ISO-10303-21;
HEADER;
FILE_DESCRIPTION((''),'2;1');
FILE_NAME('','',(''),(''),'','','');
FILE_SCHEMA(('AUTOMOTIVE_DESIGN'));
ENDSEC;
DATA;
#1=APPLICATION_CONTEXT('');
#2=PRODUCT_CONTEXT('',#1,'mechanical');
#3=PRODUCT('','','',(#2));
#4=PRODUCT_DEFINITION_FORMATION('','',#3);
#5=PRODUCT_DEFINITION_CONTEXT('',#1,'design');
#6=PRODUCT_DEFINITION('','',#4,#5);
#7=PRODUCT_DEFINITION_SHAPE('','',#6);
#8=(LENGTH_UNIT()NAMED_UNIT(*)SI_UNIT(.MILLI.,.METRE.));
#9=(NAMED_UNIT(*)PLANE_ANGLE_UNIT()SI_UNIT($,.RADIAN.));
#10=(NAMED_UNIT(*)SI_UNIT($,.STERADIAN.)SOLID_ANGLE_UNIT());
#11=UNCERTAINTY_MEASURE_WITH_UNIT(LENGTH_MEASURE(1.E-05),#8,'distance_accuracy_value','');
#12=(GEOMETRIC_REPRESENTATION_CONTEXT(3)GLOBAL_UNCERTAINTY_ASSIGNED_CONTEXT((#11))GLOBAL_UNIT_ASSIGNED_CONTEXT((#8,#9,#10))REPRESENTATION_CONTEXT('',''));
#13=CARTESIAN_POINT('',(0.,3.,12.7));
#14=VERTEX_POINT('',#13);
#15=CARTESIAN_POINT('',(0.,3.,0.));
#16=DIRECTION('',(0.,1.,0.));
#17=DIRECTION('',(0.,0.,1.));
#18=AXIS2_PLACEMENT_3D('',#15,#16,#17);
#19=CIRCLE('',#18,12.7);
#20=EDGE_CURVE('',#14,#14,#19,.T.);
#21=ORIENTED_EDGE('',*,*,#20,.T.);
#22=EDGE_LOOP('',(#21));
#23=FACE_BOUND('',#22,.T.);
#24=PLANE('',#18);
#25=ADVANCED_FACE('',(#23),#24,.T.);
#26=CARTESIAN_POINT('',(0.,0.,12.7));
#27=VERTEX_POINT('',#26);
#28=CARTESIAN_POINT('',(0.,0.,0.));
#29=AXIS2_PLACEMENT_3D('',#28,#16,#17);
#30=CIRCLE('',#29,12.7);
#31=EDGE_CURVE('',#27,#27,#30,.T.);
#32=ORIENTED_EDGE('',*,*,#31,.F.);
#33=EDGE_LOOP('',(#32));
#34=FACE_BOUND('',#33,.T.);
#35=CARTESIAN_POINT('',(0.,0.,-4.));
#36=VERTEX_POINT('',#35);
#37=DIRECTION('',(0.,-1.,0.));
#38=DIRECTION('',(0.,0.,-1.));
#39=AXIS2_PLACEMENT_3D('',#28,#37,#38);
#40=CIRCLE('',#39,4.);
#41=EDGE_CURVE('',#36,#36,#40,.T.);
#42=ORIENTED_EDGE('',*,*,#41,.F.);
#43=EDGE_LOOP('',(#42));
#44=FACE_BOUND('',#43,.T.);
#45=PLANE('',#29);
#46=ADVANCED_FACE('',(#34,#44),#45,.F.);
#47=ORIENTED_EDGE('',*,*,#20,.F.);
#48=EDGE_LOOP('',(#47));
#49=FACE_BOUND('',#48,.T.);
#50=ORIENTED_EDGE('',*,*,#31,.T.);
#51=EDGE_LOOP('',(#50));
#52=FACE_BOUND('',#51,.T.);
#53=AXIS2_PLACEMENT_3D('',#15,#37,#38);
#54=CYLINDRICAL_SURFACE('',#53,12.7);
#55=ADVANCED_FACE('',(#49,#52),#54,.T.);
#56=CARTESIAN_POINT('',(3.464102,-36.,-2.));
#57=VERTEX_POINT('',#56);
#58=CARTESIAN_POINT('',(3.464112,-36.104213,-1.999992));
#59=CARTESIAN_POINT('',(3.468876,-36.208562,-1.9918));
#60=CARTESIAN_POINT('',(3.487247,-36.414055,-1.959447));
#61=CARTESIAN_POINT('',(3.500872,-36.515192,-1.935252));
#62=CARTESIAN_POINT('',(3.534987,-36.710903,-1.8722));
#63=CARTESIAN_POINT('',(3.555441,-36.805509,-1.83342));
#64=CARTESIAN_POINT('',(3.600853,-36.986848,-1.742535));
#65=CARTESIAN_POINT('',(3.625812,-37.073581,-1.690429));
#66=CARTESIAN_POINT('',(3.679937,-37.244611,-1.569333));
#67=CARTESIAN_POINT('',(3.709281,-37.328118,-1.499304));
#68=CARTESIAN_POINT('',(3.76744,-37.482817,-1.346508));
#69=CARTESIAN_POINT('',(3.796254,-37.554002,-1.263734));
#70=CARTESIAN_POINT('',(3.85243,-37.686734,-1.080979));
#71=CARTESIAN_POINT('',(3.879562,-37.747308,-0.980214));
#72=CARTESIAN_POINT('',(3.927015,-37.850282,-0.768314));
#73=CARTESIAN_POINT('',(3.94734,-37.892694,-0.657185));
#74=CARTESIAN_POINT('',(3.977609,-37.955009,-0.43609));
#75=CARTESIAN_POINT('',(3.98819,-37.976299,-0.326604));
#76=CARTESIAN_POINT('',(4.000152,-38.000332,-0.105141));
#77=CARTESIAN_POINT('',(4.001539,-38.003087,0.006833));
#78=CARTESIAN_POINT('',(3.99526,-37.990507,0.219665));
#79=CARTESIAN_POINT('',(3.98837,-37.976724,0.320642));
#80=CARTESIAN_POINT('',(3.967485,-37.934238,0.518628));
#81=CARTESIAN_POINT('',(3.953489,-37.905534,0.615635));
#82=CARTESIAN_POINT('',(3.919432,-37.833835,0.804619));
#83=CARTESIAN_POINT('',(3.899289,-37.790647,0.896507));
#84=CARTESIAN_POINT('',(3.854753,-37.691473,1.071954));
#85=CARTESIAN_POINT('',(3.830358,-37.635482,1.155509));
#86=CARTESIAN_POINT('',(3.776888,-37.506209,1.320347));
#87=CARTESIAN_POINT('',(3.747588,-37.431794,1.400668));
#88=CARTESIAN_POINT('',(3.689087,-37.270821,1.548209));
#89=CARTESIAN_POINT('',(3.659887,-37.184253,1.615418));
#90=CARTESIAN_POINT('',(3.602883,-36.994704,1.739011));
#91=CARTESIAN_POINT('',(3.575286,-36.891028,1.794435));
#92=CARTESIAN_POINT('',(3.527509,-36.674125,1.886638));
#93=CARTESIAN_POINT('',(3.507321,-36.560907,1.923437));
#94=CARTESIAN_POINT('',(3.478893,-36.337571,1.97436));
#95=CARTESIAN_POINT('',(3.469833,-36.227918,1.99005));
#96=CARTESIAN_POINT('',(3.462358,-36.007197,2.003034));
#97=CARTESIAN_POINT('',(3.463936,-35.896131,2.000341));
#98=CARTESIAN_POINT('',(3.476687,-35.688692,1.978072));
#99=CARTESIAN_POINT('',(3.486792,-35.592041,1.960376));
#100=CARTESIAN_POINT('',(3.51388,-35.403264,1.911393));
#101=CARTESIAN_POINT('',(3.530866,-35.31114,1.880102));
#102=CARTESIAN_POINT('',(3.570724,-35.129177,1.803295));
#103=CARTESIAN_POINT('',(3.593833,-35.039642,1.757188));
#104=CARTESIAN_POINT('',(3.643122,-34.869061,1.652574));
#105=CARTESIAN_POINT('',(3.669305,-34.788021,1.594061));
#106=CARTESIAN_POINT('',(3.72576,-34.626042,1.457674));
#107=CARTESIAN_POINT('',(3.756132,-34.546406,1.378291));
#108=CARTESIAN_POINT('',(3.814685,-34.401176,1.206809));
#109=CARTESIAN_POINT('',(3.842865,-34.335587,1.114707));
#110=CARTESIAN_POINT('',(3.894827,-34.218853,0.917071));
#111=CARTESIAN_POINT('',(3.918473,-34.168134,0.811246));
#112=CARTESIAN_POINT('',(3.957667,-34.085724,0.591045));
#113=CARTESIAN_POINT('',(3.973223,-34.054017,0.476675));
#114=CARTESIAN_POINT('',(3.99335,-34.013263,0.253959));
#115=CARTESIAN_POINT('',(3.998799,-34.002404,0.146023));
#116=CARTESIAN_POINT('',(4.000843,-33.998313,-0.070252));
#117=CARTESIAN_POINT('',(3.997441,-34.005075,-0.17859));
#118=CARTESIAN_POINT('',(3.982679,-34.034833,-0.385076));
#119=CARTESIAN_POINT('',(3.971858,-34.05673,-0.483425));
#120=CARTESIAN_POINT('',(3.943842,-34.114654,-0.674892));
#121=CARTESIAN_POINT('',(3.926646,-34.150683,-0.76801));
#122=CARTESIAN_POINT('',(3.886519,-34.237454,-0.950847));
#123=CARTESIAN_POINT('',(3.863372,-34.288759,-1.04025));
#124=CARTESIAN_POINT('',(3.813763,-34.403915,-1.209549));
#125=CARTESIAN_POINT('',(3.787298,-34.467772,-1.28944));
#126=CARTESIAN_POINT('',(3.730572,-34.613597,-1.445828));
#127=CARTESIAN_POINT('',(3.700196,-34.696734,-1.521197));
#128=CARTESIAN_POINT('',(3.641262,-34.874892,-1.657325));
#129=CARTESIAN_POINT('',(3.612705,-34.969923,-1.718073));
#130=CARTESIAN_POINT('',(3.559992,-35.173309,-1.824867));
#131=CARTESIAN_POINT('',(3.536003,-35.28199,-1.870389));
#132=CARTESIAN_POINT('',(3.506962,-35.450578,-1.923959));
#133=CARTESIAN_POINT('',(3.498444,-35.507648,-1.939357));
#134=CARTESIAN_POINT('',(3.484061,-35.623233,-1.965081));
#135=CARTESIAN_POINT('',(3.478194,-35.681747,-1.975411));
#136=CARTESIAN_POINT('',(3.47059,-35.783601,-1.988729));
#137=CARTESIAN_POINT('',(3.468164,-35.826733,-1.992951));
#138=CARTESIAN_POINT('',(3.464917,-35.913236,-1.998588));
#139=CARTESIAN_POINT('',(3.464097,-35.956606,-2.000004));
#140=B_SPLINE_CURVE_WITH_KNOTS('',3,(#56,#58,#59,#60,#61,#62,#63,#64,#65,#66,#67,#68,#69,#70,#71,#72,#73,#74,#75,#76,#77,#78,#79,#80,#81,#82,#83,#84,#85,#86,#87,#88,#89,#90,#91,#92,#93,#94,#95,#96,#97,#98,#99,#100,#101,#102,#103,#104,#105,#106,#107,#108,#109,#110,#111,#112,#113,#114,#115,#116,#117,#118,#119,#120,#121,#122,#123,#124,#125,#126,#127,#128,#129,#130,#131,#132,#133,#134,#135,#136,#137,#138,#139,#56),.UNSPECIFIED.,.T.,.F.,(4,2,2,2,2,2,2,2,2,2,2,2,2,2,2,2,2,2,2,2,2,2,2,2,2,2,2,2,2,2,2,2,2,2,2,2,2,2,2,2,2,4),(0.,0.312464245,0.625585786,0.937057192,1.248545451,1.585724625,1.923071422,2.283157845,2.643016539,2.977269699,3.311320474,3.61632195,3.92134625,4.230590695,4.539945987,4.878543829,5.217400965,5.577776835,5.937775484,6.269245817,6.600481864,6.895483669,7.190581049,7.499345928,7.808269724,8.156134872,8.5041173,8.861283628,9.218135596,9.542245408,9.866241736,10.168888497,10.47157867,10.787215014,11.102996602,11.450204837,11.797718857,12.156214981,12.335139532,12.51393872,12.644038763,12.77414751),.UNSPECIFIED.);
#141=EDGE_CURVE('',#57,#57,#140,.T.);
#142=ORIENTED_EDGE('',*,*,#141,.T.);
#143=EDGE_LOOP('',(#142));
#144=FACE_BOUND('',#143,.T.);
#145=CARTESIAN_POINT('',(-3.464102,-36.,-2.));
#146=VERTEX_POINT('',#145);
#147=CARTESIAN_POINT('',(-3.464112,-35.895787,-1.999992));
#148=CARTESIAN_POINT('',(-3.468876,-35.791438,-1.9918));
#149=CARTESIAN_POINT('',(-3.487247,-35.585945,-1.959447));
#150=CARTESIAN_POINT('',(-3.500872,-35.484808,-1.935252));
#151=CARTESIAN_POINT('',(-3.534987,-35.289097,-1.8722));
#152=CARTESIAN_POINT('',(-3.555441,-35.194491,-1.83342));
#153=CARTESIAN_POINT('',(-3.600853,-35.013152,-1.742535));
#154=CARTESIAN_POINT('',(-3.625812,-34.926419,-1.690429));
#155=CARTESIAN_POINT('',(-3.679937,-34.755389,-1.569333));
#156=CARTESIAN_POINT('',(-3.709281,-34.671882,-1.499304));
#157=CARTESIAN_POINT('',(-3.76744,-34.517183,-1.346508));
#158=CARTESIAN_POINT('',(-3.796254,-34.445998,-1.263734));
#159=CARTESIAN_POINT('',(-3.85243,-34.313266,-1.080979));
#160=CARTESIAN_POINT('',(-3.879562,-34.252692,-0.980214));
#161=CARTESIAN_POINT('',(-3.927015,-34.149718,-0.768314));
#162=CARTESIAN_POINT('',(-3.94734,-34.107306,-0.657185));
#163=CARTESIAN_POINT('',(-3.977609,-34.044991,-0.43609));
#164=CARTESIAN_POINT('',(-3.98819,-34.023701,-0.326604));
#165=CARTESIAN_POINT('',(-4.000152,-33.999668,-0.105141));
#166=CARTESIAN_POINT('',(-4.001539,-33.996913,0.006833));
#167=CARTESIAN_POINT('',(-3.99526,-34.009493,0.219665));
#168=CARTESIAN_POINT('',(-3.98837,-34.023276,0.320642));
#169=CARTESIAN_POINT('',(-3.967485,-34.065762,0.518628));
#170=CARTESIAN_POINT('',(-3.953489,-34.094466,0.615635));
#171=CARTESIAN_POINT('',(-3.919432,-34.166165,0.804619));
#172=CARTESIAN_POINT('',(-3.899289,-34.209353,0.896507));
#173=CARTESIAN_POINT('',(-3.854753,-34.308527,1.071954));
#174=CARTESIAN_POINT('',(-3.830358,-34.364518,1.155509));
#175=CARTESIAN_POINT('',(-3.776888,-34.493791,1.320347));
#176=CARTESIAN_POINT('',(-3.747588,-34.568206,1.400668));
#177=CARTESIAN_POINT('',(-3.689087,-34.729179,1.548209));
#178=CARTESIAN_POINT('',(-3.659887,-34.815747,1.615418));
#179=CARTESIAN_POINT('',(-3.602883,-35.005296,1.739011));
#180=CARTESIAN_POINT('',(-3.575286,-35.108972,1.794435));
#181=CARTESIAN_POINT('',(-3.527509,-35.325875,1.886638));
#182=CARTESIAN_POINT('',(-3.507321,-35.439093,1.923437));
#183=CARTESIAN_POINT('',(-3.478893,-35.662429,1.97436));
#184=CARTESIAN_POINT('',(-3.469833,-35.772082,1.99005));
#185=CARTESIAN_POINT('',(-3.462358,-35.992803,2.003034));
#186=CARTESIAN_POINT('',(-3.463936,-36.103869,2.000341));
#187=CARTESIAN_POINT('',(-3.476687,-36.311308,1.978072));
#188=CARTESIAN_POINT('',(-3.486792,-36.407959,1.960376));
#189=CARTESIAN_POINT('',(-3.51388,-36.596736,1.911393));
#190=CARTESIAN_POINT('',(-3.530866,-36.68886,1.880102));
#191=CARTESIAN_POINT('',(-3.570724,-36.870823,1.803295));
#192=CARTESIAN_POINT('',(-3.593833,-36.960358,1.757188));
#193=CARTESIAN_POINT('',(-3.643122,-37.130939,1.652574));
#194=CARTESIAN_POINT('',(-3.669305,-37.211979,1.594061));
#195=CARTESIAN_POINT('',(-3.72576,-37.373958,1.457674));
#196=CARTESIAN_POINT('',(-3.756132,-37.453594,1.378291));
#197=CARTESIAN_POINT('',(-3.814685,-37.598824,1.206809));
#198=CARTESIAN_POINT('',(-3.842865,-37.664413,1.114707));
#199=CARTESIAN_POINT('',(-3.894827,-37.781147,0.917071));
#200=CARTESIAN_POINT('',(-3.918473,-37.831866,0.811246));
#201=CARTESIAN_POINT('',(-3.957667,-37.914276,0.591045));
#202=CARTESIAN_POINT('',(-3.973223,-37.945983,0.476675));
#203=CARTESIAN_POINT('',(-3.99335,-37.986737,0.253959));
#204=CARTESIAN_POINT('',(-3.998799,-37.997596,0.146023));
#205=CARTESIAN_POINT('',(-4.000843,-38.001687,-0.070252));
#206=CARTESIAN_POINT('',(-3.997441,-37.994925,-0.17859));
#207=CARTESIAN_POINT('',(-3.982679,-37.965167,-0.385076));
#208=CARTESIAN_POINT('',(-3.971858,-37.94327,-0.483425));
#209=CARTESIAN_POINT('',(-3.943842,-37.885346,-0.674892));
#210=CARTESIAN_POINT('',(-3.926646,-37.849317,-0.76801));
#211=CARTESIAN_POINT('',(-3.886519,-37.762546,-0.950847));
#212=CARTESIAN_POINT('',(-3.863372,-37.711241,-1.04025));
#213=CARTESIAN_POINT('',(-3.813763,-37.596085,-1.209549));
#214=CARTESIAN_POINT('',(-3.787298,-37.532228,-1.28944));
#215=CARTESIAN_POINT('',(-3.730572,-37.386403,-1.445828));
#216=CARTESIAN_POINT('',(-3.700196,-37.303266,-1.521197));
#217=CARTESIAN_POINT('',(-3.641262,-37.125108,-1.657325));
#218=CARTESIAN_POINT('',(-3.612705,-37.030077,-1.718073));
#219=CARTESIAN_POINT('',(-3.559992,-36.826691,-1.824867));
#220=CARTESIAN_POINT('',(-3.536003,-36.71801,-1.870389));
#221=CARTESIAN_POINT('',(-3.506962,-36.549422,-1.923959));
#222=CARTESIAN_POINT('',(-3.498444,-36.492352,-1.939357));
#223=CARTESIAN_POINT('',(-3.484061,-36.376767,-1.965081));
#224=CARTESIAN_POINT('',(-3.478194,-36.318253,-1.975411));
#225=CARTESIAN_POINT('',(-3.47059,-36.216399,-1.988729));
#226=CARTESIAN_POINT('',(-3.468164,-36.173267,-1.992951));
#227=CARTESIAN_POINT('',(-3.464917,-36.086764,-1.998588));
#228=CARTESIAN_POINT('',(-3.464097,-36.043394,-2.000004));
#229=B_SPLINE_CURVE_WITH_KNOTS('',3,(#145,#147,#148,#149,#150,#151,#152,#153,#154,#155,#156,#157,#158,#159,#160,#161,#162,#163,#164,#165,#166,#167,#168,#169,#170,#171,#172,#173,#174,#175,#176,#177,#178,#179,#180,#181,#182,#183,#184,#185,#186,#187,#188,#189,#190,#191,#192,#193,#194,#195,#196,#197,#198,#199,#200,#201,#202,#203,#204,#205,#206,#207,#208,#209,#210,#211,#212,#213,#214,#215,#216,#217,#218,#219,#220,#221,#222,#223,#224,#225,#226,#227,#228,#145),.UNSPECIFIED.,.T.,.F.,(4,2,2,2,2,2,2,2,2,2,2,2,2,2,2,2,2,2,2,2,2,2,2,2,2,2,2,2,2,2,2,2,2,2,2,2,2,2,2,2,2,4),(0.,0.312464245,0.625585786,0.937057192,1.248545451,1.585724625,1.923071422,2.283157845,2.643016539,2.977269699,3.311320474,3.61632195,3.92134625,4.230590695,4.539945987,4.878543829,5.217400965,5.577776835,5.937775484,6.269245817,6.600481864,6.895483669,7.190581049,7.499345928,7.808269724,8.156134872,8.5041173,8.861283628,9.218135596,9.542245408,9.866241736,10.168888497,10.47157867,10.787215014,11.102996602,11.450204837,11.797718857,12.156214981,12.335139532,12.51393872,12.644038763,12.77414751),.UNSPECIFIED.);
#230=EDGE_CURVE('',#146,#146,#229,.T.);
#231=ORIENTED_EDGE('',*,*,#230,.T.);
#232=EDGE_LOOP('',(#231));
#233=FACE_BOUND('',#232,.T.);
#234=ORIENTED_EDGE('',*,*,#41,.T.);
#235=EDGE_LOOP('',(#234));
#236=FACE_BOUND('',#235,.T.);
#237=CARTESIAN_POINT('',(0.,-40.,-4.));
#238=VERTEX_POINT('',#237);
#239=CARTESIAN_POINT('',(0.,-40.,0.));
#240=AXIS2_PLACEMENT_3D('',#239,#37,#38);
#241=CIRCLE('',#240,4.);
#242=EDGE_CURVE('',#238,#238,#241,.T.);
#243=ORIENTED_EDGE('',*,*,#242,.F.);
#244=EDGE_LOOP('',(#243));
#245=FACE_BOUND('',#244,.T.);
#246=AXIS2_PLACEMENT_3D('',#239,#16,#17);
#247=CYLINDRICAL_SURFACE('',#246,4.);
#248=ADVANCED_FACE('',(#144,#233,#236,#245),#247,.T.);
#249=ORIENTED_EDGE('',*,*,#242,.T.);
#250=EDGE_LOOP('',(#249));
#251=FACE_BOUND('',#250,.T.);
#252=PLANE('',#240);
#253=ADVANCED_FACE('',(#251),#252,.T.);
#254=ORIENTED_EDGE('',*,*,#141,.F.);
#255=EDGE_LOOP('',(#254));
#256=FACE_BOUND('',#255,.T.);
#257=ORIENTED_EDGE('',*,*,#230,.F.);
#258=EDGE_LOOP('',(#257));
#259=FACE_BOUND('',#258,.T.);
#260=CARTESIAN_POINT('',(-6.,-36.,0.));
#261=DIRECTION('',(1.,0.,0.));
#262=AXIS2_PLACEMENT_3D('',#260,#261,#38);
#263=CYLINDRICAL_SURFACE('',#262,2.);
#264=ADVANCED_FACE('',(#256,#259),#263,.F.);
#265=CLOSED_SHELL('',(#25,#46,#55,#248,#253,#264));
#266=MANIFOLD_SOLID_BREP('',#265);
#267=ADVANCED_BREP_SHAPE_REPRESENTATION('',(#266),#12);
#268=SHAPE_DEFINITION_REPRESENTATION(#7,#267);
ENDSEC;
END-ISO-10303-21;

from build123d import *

# Parameters (mm, degrees)
CROQUIS1_R              = 12.7
SALIENTE_EXTRUIR1_DEPTH = 3
CROQUIS2_R              = 4
SALIENTE_EXTRUIR2_DEPTH = 40
CROQUIS4_R              = 2
CORTAR_EXTRUIR1_DEPTH   = 10


with BuildPart() as part:
    # Croquis1 → Saliente-Extruir1 (new body)
    with BuildSketch(Plane(origin=(0, 0, 0), x_dir=(1, 0, 0), z_dir=(0, 1, 0))):
        with Locations(Location((0, 0, 0), (0, 0, 270))):
            Circle(CROQUIS1_R)
    extrude(amount=SALIENTE_EXTRUIR1_DEPTH)

    # Croquis2 → Saliente-Extruir2 (add)
    with BuildSketch(Plane.XZ):
        with Locations(Location((0, 0, 0), (0, 0, 270))):
            Circle(CROQUIS2_R)
    extrude(amount=SALIENTE_EXTRUIR2_DEPTH)

    # Croquis4 → Cortar-Extruir1 (cut)
    with BuildSketch(Plane(origin=(4, 0, 0), x_dir=(0, 0, -1), z_dir=(1, 0, 0))):
        with Locations((0, -36)):
            Circle(CROQUIS4_R)
    extrude(amount=-CORTAR_EXTRUIR1_DEPTH, mode=Mode.SUBTRACT)


solid = part.part
